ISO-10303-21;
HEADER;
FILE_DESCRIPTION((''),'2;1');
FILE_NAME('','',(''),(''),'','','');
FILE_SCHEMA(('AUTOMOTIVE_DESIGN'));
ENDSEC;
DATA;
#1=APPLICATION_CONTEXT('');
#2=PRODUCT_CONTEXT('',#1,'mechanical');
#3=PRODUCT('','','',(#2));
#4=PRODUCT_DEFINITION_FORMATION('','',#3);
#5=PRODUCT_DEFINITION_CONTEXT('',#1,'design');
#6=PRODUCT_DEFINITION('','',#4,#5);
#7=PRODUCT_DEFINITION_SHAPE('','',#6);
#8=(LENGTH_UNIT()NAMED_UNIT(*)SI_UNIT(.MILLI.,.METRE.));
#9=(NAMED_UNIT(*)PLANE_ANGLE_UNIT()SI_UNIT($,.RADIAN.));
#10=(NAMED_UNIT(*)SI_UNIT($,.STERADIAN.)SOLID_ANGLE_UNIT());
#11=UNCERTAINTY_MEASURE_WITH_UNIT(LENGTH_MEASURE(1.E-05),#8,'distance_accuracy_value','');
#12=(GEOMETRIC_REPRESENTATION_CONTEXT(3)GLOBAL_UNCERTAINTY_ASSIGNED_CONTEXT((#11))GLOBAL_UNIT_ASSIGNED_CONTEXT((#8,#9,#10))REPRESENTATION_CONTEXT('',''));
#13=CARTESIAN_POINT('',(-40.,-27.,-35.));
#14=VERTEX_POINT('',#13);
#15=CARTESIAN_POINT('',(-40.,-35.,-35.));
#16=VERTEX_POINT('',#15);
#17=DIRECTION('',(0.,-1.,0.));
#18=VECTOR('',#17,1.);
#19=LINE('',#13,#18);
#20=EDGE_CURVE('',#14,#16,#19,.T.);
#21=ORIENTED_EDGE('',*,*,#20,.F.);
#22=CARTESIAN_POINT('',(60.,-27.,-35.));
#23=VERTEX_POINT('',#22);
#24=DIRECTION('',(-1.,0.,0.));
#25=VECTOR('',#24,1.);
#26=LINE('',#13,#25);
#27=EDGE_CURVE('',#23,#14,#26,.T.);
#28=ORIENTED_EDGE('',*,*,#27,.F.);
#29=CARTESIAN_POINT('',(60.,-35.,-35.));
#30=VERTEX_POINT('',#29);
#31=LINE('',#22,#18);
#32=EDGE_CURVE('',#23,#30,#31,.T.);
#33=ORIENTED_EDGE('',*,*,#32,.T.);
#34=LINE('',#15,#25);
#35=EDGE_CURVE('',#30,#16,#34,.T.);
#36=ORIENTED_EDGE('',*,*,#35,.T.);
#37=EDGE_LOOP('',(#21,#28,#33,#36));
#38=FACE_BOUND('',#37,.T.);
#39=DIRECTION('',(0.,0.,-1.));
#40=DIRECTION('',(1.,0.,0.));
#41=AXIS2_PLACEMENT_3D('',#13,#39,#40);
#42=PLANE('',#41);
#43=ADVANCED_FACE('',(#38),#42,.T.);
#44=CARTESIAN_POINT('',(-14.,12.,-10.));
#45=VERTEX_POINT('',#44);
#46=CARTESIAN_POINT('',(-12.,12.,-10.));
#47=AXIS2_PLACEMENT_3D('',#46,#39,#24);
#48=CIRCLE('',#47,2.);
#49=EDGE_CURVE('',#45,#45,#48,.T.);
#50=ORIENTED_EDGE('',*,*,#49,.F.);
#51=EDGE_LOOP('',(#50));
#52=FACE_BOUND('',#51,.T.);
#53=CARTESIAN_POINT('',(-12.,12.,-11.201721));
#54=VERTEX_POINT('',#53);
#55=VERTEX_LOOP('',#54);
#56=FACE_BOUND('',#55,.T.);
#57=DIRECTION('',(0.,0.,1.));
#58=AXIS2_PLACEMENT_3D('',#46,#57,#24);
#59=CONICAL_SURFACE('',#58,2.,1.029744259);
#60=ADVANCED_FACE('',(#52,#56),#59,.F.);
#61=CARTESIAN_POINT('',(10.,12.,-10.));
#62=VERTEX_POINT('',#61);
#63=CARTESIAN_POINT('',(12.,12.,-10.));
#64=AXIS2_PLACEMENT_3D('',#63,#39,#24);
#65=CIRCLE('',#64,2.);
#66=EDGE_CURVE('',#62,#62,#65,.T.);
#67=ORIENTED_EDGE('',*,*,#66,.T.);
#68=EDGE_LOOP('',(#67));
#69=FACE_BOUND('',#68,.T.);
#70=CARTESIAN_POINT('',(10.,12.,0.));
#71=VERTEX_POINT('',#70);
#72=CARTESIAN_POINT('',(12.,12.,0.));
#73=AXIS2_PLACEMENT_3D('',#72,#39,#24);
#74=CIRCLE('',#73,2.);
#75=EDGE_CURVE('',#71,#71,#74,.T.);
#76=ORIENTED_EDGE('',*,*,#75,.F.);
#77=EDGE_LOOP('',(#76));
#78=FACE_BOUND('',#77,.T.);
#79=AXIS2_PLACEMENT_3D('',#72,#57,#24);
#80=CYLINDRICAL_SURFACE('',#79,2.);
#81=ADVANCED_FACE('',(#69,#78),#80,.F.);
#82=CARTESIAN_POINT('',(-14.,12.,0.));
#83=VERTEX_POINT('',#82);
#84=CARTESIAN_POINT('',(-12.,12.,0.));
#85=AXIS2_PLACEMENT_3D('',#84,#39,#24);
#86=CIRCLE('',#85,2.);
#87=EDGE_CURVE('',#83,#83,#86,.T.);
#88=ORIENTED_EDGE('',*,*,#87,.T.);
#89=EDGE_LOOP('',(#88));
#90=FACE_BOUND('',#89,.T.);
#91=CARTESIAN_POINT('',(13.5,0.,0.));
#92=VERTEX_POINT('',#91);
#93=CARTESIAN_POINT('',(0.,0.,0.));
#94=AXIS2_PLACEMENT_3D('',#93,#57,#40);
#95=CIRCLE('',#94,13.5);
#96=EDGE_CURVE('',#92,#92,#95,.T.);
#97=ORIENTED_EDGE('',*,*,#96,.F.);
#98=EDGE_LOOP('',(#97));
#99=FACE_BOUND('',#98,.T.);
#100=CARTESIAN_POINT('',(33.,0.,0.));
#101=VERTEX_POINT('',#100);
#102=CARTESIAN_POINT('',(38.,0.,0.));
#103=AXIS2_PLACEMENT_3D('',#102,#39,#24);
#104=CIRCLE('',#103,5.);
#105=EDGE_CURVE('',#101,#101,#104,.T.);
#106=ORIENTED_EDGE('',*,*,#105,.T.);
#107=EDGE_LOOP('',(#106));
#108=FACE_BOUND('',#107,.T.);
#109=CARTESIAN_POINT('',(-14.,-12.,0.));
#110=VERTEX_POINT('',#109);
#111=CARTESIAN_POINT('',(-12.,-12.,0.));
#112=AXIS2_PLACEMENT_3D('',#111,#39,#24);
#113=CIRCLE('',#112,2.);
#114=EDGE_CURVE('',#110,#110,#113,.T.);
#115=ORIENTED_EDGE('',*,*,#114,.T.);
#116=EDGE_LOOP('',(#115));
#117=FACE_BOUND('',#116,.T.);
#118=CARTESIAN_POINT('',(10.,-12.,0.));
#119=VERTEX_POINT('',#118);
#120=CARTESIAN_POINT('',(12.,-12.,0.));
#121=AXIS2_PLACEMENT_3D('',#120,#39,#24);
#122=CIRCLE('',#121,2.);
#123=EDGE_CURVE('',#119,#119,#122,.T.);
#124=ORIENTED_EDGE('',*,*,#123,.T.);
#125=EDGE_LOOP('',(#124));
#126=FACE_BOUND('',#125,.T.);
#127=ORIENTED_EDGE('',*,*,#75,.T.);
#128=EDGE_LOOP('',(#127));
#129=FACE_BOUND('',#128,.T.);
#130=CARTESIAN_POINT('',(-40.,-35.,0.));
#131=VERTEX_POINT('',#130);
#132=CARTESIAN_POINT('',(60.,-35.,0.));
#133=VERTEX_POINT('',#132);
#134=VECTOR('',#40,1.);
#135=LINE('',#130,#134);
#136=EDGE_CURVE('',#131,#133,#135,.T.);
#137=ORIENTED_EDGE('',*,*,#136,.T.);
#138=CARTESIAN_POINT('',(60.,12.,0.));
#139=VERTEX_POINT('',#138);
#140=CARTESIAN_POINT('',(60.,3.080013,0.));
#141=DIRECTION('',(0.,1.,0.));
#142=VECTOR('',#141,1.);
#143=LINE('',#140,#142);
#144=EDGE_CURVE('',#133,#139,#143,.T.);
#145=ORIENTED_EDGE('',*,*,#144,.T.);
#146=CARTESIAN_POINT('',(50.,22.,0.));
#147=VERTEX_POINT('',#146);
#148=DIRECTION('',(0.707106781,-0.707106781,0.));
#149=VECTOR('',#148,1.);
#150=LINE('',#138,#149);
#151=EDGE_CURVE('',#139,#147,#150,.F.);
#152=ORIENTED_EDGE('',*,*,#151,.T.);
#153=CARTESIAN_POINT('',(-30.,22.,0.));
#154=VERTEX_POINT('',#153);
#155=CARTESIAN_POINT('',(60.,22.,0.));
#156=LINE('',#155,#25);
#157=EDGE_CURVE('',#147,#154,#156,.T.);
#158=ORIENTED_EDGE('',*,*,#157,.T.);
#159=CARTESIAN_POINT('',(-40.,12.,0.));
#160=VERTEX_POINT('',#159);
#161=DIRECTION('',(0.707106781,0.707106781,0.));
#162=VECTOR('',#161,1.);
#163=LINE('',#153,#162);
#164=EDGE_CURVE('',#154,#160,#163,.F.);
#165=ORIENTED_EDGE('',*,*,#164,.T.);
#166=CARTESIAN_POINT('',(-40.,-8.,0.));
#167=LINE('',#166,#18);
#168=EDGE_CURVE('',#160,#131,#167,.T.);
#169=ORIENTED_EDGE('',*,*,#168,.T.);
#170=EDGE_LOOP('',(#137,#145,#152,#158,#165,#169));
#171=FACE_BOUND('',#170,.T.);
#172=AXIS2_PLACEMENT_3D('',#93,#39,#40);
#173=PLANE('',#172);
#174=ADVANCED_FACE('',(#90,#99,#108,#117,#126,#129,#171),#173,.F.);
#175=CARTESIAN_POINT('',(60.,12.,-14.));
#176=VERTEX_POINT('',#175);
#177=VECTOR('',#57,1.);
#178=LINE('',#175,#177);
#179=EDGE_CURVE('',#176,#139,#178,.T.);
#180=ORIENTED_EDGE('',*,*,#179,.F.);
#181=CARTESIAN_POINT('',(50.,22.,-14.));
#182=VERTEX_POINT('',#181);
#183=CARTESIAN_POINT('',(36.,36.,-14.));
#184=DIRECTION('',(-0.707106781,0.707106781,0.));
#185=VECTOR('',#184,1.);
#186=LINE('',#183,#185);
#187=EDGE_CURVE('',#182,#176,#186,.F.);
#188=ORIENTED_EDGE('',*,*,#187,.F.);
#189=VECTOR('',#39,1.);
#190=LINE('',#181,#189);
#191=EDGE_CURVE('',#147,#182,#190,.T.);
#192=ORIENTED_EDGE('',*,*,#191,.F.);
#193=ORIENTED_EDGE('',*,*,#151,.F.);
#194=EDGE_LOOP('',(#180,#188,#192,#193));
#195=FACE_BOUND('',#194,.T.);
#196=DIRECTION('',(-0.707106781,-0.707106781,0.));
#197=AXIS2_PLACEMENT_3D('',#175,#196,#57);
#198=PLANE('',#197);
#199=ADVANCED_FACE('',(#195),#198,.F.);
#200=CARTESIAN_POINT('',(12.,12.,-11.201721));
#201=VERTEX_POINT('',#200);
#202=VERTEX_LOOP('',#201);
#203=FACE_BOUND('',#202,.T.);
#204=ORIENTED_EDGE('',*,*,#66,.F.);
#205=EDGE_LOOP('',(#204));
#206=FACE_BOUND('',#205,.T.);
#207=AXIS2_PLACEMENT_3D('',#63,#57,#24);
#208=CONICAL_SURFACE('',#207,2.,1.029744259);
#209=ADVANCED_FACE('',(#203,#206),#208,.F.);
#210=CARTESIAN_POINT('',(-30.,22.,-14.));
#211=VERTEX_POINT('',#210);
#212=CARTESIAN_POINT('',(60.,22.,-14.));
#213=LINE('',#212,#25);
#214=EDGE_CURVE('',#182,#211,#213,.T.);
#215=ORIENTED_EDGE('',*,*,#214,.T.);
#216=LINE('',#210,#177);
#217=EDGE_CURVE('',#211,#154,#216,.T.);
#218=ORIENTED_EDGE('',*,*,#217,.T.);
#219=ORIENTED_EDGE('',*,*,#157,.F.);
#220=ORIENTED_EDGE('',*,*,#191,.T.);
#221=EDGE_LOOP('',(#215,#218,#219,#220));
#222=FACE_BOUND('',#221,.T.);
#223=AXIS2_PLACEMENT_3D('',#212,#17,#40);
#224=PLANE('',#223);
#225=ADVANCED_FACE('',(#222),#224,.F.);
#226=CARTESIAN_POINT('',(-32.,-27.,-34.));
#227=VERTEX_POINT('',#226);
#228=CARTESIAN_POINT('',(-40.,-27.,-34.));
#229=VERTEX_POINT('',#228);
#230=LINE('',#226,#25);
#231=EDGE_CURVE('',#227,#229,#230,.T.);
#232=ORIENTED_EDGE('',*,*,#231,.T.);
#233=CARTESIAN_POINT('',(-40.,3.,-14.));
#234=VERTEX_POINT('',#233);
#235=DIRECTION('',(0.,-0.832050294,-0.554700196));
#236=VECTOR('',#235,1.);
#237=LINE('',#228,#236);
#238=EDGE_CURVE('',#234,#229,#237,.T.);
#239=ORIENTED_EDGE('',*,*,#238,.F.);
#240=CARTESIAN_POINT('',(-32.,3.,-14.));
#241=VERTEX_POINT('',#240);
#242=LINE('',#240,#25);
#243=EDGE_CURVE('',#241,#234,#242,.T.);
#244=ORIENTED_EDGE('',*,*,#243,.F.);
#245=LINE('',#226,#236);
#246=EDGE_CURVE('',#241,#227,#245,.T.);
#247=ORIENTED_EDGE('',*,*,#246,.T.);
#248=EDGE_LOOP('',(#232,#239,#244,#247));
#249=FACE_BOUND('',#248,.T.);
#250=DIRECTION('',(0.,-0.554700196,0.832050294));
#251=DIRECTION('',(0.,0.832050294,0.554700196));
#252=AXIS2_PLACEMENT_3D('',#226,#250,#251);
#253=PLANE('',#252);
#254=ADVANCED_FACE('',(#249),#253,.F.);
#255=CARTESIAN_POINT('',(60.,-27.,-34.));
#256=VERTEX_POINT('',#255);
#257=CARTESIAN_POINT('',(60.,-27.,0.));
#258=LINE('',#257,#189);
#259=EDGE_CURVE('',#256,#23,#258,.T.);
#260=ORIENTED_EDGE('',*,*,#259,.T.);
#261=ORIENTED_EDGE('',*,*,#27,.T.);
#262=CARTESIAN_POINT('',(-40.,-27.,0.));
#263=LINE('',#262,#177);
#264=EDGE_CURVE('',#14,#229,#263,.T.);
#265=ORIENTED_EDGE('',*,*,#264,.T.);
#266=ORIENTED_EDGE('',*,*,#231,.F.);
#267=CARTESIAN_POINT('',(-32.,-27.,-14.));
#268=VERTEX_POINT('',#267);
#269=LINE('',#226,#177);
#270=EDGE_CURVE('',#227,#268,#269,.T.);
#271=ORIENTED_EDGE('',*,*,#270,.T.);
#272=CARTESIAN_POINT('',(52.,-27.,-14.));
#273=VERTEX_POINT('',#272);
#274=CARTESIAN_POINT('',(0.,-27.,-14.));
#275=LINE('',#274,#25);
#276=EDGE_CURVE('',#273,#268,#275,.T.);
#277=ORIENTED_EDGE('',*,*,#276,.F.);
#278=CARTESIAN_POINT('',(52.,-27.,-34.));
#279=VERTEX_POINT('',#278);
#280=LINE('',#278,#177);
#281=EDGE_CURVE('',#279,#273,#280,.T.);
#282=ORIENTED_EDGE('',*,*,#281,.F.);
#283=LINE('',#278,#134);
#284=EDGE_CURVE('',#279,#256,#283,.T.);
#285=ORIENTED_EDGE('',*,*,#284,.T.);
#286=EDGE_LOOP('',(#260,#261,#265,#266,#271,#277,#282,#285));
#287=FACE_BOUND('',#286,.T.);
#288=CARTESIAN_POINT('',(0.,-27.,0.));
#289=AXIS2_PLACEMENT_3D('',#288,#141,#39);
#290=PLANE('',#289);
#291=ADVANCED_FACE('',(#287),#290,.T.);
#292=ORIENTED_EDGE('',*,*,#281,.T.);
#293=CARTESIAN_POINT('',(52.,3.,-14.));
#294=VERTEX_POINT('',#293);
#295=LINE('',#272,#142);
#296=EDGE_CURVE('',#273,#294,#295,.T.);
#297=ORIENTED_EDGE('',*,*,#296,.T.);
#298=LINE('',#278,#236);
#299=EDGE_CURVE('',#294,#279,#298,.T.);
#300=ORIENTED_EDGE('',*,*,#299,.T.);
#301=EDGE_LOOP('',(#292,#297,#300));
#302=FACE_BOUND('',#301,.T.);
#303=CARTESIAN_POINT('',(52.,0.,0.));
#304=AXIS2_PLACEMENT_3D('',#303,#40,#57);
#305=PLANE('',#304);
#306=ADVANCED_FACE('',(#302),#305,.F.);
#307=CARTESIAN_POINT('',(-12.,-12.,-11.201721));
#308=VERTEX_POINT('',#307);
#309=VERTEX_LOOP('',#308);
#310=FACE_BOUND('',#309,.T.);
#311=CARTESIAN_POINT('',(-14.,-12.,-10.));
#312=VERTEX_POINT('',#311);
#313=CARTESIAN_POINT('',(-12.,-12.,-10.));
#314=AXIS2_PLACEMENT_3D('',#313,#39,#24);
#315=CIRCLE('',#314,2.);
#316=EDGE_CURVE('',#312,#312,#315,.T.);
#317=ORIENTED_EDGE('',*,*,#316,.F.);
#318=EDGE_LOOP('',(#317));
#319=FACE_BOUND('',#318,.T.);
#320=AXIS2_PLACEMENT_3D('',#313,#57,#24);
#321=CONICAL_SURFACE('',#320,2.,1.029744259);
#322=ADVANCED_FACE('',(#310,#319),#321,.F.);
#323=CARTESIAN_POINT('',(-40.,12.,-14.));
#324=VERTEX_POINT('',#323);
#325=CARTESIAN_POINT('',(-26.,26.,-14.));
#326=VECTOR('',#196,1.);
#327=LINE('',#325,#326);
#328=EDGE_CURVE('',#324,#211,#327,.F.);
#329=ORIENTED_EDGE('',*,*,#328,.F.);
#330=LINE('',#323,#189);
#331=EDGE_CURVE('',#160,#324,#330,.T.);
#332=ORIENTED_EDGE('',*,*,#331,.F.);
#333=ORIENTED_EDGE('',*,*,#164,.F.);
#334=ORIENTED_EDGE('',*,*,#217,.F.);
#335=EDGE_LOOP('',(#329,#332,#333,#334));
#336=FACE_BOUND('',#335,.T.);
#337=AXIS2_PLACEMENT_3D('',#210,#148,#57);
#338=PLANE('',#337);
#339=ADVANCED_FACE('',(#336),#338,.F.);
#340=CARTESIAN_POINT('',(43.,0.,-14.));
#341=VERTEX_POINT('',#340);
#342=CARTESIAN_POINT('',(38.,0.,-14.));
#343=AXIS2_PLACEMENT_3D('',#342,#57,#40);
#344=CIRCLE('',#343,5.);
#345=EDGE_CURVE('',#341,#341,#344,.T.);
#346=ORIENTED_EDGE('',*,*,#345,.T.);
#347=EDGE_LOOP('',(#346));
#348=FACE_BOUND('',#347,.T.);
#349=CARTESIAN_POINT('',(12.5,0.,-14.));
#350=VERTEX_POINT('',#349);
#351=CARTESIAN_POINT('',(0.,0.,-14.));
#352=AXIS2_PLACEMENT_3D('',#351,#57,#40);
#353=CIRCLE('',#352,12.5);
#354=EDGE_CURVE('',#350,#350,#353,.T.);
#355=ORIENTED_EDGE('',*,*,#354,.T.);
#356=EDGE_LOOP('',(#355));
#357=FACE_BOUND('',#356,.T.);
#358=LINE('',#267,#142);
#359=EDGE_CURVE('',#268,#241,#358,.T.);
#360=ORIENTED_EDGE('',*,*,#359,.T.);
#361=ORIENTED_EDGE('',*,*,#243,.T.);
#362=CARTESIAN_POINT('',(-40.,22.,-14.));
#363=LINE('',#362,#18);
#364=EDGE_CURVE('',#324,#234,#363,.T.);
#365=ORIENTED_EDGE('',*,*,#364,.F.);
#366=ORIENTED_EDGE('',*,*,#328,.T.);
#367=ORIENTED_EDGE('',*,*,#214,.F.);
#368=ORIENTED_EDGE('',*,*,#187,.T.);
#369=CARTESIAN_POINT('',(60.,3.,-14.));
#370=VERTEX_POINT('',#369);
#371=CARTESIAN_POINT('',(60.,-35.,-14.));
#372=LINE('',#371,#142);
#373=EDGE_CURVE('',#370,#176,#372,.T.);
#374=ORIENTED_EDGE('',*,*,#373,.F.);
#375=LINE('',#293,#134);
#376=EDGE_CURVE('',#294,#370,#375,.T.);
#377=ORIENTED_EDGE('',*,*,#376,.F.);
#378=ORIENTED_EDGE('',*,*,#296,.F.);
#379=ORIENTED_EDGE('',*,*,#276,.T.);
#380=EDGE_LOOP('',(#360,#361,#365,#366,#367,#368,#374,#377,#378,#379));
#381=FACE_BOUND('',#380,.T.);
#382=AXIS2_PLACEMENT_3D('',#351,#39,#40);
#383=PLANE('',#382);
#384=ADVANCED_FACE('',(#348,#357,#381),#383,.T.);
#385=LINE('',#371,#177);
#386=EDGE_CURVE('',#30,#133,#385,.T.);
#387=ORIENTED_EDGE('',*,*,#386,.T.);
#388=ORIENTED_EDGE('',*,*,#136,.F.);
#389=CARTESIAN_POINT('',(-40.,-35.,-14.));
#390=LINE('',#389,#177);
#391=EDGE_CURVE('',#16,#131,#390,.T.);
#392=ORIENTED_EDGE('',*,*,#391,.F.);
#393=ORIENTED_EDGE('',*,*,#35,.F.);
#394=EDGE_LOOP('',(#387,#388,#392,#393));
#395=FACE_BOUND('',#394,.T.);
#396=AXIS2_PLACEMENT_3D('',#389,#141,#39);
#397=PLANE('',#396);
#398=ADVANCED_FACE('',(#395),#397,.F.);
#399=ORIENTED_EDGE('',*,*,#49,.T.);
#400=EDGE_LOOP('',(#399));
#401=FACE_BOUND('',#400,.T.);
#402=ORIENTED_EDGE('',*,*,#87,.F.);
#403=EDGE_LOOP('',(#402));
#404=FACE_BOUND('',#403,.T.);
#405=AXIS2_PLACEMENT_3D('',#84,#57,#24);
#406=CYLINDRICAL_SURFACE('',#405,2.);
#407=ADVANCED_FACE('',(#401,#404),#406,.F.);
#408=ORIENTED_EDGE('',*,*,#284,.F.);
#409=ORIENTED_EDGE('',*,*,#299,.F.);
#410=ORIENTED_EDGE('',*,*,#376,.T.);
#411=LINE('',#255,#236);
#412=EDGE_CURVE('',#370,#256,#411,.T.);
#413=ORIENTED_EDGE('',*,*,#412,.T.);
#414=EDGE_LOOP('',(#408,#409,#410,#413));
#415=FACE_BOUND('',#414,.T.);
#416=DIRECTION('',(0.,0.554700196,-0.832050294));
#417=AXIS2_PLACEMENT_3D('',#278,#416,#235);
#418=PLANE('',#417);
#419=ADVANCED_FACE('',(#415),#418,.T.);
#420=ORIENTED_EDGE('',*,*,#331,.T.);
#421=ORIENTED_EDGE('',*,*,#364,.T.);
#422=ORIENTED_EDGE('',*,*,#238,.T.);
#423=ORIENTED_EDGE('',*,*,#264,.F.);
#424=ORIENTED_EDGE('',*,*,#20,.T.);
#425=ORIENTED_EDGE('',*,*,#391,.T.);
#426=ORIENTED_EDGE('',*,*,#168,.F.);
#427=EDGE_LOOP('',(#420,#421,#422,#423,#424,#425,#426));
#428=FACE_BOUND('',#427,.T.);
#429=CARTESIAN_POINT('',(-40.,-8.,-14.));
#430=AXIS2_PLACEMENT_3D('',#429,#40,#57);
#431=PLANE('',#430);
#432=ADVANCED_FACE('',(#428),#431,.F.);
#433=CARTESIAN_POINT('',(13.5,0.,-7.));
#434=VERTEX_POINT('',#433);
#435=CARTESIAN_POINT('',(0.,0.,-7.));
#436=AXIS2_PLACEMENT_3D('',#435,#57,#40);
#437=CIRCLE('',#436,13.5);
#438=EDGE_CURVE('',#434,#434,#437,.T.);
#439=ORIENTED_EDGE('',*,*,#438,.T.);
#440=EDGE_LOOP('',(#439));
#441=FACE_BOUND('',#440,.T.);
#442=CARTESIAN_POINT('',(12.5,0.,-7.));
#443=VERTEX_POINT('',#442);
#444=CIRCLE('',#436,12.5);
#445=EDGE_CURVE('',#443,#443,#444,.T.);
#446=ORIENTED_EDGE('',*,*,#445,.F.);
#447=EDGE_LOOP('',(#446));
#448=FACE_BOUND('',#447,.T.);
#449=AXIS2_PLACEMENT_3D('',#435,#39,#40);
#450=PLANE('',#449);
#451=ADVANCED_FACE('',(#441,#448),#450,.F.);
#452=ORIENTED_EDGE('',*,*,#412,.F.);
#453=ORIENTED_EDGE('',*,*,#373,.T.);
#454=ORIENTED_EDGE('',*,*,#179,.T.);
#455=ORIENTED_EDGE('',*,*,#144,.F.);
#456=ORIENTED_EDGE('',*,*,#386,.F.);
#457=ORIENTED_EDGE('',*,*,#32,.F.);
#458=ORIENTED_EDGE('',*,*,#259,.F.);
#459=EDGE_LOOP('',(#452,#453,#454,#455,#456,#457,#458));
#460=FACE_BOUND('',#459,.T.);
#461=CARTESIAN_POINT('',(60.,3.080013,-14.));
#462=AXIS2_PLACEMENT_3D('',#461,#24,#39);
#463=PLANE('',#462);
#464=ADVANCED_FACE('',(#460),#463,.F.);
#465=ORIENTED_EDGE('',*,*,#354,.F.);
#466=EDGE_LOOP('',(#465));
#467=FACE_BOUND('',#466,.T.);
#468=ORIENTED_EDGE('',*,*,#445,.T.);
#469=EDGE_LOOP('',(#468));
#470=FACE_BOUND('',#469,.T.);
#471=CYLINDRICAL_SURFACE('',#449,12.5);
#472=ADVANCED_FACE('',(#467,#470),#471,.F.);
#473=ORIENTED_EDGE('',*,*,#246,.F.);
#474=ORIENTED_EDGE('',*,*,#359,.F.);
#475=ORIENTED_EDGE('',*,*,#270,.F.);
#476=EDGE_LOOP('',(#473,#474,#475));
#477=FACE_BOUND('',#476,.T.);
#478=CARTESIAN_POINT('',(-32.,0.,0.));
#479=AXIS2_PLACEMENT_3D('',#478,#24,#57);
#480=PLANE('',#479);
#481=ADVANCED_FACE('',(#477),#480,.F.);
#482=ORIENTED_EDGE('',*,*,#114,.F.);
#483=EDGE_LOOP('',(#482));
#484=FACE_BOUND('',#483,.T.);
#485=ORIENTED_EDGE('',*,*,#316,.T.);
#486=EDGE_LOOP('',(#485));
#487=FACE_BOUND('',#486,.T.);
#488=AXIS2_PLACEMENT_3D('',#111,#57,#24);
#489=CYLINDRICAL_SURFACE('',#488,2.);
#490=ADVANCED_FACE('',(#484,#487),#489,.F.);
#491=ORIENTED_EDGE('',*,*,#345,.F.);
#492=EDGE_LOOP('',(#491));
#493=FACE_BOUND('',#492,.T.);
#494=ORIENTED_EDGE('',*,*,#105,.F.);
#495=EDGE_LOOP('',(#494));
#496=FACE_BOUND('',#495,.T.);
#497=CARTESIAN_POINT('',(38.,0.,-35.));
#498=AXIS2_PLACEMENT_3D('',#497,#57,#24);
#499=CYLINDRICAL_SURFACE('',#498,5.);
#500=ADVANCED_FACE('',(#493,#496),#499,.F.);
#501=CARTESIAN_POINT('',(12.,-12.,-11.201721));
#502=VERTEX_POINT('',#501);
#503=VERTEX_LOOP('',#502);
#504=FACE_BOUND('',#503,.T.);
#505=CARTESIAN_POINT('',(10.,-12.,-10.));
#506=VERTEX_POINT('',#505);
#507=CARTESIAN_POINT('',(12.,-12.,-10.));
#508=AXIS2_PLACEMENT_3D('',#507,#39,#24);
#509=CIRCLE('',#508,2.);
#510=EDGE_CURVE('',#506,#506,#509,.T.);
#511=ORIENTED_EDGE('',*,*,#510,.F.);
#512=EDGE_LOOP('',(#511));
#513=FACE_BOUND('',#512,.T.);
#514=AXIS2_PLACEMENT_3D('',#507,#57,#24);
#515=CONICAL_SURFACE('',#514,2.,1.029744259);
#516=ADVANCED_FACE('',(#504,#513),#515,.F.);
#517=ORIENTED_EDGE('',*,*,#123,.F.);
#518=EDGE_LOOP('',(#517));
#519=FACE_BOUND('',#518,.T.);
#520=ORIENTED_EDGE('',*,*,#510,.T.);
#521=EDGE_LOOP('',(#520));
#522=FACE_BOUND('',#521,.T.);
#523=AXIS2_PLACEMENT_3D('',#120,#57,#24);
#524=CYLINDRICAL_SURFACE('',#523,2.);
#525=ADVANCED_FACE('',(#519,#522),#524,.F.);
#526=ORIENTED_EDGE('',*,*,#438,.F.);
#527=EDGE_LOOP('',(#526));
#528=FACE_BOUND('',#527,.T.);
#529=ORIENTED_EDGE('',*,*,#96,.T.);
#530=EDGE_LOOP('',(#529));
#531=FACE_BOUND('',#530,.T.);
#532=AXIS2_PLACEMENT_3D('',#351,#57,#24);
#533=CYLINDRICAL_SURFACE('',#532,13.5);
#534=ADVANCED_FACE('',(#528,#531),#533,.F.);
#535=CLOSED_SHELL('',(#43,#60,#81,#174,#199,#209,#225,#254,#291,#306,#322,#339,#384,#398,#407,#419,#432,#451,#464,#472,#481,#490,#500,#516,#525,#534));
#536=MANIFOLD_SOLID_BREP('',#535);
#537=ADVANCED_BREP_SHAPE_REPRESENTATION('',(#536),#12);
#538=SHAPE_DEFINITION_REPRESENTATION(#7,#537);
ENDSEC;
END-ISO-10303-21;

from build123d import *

# Parameters (mm, degrees)
SKETCH1_R                 = 13.5
BOSS_EXTRUDE1_DEPTH       = 14
BOSS_EXTRUDE2_START       = -7
SKETCH2_R                 = 13.5
SKETCH2_R_2               = 12.5
BOSS_EXTRUDE2_DEPTH       = 7
SKETCH16_W                = 100
SKETCH16_H                = 35
BOSS_EXTRUDE3_DEPTH       = 8
BOSS_EXTRUDE4_DEPTH       = 8
F_4_0MM_DOWEL_HOLE1_D     = 4
F_4_0MM_DOWEL_HOLE1_DEPTH = 10
F_4_0MM_DOWEL_HOLE1_TIP   = 1.201721238
SKETCH15_R                = 5
CUT_EXTRUDE1_DEPTH        = 78.781745931
CHAMFER1_SIZE             = 10


with BuildPart() as part:
    # Sketch1 → Boss-Extrude1 (new body)
    with BuildSketch(Plane.XY):
        Polygon((-40, -8), (-40, -35), (60, -35), (60, 3.080013472), (60, 22), (-40, 22), align=None)
        Circle(SKETCH1_R, mode=Mode.SUBTRACT)
    extrude(amount=BOSS_EXTRUDE1_DEPTH)

    # Sketch2 → Boss-Extrude2 (add)
    with BuildSketch(Plane.XY.offset(14).offset(BOSS_EXTRUDE2_START)):
        Circle(SKETCH2_R)
        Circle(SKETCH2_R_2, mode=Mode.SUBTRACT)
    extrude(amount=BOSS_EXTRUDE2_DEPTH)

    # Sketch16 → Boss-Extrude3 (add)
    with BuildSketch(Plane.XZ.offset(35)):
        with Locations((10, 17.5)):
            Rectangle(SKETCH16_W, SKETCH16_H)
    extrude(amount=-BOSS_EXTRUDE3_DEPTH)

    # Sketch17 → Boss-Extrude4 (add)
    with BuildSketch(Plane(origin=(60, 0, 0), x_dir=(0, 0, -1), z_dir=(1, 0, 0))):
        Polygon((-34, -27), (-14, 3), (-14, -27), align=None)
    boss_extrude4 = extrude(amount=-BOSS_EXTRUDE4_DEPTH)

    # Mirror1: Boss-Extrude4 across plane
    add(boss_extrude4.mirror(Plane(origin=(10, 0, 0), x_dir=(0, 0, 1), z_dir=(1, 0, 0))))

    # Ø4.0mm Dowel Hole1
    with Locations(Plane(origin=(0, 0, 0), x_dir=(-1, 0, 0), z_dir=(0, 0, -1))):
        with Locations((-12, 12), (12, 12), (12, -12), (-12, -12)):
            Hole(F_4_0MM_DOWEL_HOLE1_D / 2, depth=F_4_0MM_DOWEL_HOLE1_DEPTH)
            with Locations((0, 0, -(F_4_0MM_DOWEL_HOLE1_DEPTH + F_4_0MM_DOWEL_HOLE1_TIP / 2))):  # 118° drill point
                Cone(0, F_4_0MM_DOWEL_HOLE1_D / 2, F_4_0MM_DOWEL_HOLE1_TIP, mode=Mode.SUBTRACT)

    # Sketch15 → Cut-Extrude1 (cut, through all)
    with BuildSketch(Plane(origin=(0, 0, 0), x_dir=(-1, 0, 0), z_dir=(0, 0, -1))):
        with Locations((-38, 0)):
            Circle(SKETCH15_R)
    extrude(amount=-CUT_EXTRUDE1_DEPTH, mode=Mode.SUBTRACT)


with BuildPart() as body_2:
    # Mirror2: mirrored copy
    add(part.part.mirror(Plane.XY))

    # Chamfer1
    chamfer1_edges = [body_2.edges().sort_by_distance(p)[0] for p in [
        (-40, 22, -7),
        (60, 22, -7),
    ]]
    chamfer(chamfer1_edges, length=CHAMFER1_SIZE)


solid = body_2.part
